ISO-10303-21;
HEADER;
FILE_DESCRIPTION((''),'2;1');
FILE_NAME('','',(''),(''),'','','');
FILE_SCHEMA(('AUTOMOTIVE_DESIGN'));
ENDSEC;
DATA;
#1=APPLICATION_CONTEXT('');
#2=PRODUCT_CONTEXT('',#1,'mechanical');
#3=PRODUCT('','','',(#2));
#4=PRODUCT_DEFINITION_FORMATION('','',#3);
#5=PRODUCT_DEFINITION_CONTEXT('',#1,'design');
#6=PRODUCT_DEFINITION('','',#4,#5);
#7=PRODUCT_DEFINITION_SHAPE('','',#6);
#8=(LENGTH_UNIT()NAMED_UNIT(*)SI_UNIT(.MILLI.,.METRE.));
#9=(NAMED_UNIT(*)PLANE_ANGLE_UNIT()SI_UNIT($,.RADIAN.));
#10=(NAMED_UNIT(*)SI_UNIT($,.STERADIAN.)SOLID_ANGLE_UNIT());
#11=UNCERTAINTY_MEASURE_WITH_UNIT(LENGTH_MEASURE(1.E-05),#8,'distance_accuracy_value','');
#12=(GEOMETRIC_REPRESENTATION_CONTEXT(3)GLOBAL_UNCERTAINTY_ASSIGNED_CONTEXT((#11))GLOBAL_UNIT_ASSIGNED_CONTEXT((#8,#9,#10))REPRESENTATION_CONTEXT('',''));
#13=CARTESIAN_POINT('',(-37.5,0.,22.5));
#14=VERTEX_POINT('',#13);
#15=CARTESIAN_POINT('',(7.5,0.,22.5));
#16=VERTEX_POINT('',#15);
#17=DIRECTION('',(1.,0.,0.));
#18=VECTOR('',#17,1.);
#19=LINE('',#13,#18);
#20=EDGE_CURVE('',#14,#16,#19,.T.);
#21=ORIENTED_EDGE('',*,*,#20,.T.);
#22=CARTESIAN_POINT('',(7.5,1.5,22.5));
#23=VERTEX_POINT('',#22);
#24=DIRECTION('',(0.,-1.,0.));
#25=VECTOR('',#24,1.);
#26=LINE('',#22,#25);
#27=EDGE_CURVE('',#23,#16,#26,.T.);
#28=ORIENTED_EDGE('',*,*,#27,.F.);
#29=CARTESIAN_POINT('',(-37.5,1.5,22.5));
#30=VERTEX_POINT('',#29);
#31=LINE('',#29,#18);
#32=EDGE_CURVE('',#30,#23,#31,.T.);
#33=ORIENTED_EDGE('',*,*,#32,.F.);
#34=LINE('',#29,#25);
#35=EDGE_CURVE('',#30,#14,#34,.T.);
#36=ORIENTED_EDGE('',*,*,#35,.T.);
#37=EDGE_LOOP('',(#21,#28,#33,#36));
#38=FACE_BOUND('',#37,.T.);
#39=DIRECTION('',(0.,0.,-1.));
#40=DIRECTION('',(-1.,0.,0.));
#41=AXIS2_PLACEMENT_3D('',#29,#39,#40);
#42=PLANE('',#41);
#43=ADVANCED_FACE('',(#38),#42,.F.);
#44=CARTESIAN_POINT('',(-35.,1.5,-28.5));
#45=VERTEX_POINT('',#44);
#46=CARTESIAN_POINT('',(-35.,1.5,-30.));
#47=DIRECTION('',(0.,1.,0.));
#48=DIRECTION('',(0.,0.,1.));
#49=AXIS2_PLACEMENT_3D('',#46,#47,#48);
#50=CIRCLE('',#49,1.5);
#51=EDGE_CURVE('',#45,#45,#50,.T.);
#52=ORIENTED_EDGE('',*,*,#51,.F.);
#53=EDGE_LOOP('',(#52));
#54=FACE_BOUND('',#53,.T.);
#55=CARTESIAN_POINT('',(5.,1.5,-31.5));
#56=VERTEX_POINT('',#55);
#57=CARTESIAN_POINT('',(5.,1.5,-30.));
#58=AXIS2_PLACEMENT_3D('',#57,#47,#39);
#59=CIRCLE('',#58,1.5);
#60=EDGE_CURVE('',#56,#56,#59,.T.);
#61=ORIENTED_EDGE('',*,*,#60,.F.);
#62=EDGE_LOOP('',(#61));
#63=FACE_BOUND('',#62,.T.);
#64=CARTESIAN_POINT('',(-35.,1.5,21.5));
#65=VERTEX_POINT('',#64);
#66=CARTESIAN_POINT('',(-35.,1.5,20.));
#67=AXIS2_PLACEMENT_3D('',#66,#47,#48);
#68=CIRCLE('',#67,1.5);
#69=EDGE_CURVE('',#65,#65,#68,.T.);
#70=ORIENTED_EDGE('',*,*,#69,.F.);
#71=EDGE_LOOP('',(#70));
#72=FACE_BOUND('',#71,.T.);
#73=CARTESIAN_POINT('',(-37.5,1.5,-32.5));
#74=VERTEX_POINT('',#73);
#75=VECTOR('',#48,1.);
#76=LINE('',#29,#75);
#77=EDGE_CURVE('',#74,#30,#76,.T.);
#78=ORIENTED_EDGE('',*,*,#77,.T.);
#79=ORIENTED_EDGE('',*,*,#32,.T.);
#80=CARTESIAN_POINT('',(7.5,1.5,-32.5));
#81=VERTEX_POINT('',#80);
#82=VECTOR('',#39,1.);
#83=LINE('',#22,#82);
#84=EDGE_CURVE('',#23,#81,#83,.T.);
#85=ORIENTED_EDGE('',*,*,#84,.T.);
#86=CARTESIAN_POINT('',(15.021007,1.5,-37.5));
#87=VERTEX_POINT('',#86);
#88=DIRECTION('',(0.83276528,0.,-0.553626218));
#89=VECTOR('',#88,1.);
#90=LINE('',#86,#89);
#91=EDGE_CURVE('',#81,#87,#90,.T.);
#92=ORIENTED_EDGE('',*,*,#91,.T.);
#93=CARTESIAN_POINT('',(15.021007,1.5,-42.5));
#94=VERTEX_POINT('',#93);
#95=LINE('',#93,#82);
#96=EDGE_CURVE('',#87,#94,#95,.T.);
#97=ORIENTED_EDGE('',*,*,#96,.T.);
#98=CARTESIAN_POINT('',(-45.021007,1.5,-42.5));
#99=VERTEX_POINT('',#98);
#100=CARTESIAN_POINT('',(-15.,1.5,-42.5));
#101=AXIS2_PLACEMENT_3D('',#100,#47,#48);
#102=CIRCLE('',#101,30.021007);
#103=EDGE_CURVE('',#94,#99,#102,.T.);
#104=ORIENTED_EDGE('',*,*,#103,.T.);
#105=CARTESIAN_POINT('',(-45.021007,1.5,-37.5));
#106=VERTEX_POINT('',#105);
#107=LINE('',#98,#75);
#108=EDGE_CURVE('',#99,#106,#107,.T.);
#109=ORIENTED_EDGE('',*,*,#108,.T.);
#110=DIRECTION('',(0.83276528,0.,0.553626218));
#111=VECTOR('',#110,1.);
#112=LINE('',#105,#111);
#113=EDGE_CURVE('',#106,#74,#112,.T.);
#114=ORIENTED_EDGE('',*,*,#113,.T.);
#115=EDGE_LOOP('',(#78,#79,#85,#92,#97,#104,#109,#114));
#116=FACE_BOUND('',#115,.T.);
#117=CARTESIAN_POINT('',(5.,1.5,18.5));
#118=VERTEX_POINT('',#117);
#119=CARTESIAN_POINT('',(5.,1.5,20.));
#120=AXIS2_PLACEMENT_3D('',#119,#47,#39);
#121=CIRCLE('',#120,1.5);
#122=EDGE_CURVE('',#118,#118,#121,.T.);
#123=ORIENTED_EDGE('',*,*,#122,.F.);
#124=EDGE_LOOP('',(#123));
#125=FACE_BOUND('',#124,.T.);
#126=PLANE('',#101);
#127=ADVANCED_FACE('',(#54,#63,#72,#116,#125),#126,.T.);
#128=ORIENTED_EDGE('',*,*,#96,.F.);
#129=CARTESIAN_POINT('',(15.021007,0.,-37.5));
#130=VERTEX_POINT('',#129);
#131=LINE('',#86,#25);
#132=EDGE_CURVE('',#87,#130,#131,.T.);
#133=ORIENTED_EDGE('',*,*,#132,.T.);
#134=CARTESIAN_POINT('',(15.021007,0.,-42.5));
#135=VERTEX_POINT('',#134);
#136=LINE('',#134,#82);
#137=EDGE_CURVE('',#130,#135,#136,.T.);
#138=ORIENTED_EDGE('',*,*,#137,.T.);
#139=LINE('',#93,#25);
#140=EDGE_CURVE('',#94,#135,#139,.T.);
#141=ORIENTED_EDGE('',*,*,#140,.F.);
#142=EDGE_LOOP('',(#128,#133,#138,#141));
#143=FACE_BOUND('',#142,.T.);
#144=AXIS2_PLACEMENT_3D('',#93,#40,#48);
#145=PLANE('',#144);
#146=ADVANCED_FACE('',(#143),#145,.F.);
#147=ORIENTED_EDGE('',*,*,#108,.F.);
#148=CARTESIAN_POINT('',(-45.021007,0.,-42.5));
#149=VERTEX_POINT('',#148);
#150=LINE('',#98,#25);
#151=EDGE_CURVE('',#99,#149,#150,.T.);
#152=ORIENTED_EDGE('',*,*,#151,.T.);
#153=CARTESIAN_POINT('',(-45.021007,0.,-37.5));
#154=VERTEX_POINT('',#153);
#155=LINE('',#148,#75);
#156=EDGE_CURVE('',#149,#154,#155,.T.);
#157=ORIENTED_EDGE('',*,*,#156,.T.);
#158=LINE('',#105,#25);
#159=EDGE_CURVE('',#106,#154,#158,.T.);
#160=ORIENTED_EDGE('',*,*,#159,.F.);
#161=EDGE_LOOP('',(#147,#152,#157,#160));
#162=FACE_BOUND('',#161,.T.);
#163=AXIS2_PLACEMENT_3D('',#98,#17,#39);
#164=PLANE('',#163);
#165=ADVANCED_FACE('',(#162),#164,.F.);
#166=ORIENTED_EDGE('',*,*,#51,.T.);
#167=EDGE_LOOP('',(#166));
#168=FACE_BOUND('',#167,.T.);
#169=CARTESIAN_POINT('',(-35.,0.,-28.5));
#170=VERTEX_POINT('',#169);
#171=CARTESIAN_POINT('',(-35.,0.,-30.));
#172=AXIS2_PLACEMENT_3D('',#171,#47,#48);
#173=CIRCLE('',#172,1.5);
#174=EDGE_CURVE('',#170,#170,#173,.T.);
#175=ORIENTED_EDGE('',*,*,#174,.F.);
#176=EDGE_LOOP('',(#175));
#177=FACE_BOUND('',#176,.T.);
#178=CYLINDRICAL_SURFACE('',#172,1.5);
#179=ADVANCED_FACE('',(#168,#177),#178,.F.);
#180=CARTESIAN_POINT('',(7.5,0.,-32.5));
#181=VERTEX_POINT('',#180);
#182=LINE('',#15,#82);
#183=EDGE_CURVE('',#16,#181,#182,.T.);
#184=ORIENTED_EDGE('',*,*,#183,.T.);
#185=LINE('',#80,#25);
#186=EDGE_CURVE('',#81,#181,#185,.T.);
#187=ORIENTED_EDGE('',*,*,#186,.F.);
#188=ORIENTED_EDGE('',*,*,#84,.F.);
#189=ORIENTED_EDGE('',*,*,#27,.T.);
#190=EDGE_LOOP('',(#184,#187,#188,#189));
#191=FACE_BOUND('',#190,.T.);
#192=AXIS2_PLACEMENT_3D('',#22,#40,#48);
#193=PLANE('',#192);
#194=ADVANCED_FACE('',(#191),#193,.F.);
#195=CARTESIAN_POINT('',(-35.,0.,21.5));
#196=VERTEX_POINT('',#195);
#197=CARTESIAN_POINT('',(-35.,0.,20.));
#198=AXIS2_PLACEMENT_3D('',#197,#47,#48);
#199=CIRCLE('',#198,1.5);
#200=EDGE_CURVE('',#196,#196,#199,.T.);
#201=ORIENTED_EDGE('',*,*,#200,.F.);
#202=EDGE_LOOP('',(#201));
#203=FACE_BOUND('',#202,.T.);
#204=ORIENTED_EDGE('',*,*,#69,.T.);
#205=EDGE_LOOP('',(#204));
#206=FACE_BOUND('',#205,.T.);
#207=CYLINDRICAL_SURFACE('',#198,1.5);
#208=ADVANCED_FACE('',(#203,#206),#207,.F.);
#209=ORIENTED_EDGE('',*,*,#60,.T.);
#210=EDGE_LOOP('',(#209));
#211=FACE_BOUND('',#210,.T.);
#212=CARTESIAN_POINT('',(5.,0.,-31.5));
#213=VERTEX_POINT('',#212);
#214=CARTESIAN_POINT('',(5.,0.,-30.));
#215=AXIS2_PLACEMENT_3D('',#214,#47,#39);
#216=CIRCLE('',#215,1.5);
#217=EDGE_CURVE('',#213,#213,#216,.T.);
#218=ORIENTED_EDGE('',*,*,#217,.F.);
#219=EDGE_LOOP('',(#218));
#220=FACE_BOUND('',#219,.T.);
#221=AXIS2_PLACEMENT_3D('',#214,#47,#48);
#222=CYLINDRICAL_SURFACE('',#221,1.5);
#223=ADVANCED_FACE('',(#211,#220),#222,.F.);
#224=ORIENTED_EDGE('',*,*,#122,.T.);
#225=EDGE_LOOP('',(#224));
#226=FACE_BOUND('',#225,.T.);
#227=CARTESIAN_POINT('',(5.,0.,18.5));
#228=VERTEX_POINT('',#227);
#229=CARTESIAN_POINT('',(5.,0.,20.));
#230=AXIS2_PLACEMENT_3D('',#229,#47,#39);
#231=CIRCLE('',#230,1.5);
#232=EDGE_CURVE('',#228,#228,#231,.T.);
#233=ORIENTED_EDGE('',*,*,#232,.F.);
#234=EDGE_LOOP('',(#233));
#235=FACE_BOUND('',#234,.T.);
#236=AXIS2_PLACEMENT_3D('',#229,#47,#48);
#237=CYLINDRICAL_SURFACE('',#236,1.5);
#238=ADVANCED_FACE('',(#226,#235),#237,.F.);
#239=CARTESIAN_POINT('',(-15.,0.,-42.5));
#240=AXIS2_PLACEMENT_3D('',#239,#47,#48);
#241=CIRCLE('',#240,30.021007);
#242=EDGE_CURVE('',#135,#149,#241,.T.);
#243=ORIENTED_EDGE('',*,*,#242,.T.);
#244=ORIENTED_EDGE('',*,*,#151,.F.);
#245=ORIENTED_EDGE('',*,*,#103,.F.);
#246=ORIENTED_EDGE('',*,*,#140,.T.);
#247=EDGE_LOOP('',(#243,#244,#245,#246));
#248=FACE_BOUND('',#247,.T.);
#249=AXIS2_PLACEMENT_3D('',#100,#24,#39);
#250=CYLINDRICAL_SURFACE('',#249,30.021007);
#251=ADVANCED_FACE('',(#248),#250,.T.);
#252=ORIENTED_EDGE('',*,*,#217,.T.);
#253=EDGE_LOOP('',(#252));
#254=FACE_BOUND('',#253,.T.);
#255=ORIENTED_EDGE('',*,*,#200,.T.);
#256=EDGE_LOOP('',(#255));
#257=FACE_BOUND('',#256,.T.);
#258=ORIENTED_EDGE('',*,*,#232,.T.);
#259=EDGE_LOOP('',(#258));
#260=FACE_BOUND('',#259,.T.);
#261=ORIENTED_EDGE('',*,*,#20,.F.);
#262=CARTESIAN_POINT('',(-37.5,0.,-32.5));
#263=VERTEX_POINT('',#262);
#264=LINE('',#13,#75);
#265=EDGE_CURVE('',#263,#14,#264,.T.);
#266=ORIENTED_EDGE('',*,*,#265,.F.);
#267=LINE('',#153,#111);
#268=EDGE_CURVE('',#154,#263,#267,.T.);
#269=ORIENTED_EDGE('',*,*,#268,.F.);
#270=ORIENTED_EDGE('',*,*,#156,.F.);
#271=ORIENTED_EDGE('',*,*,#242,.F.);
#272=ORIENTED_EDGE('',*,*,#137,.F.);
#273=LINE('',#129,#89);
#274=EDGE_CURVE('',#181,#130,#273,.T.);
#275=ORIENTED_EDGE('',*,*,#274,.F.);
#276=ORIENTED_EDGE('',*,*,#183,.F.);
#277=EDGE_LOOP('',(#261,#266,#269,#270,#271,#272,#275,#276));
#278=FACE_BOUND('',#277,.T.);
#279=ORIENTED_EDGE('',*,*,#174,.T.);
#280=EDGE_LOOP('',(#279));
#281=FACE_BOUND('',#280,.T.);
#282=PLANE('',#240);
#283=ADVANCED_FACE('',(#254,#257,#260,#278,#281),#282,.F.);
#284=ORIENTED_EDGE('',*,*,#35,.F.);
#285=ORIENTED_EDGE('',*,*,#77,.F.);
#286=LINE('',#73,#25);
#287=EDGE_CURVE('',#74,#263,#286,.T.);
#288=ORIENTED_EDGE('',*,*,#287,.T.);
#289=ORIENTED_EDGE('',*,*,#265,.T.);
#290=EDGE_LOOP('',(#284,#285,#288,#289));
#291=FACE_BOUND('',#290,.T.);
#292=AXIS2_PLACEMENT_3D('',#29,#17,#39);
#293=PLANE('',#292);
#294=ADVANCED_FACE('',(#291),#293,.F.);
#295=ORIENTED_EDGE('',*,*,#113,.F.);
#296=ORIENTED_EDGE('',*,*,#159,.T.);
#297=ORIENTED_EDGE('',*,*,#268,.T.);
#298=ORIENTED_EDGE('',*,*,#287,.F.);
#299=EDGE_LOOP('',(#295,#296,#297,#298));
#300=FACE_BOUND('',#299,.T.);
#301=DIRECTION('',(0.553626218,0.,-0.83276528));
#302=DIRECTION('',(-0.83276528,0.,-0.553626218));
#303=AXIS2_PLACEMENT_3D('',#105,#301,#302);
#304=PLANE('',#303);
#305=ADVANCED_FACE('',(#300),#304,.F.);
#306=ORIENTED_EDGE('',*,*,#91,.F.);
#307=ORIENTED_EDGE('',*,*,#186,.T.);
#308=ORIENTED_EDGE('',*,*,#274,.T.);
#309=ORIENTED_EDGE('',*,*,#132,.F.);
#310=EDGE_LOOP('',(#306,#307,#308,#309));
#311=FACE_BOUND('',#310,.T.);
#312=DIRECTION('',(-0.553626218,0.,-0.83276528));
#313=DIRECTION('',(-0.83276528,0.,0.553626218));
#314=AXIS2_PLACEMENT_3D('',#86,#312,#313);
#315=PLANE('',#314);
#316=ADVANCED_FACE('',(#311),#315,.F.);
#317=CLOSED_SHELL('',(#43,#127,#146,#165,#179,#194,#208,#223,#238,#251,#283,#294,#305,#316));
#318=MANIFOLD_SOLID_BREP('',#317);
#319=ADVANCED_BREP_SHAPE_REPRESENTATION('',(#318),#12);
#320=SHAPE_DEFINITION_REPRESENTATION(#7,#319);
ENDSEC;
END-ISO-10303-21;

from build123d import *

# Parameters (mm, degrees)
BOSS_EXTRUDE1_DEPTH = 1.5
SKETCH2_R           = 1.5
CUT_EXTRUDE1_DEPTH  = 2.5


with BuildPart() as part:
    # Sketch1 → Boss-Extrude1 (new body)
    with BuildSketch(Plane(origin=(0, 0, 0), x_dir=(1, 0, 0), z_dir=(0, 1, 0))):
        with BuildLine():
            Line((-45.021006533, 42.5), (-45.021006533, 37.5))
            Line((-45.021006533, 37.5), (-37.5, 32.5))
            Line((-37.5, 32.5), (-37.5, -22.5))
            Line((-37.5, -22.5), (7.5, -22.5))
            Line((7.5, -22.5), (7.5, 32.5))
            Line((7.5, 32.5), (15.021006533, 37.5))
            Line((15.021006533, 37.5), (15.021006533, 42.5))
            ThreePointArc((15.021006533, 42.5), (-15, 72.521006533), (-45.021006533, 42.5))
        make_face()
    extrude(amount=BOSS_EXTRUDE1_DEPTH)

    # Sketch2 → Cut-Extrude1 (cut, through all)
    with BuildSketch(Plane(origin=(0, 1.5, 0), x_dir=(1, 0, 0), z_dir=(0, 1, 0))):
        with Locations((-35, 30)):
            Circle(SKETCH2_R)
        with Locations((-35, -20)):
            Circle(SKETCH2_R)
        with Locations((5, -20)):
            Circle(SKETCH2_R)
        with Locations((5, 30)):
            Circle(SKETCH2_R)
    extrude(amount=-CUT_EXTRUDE1_DEPTH, mode=Mode.SUBTRACT)


solid = part.part
